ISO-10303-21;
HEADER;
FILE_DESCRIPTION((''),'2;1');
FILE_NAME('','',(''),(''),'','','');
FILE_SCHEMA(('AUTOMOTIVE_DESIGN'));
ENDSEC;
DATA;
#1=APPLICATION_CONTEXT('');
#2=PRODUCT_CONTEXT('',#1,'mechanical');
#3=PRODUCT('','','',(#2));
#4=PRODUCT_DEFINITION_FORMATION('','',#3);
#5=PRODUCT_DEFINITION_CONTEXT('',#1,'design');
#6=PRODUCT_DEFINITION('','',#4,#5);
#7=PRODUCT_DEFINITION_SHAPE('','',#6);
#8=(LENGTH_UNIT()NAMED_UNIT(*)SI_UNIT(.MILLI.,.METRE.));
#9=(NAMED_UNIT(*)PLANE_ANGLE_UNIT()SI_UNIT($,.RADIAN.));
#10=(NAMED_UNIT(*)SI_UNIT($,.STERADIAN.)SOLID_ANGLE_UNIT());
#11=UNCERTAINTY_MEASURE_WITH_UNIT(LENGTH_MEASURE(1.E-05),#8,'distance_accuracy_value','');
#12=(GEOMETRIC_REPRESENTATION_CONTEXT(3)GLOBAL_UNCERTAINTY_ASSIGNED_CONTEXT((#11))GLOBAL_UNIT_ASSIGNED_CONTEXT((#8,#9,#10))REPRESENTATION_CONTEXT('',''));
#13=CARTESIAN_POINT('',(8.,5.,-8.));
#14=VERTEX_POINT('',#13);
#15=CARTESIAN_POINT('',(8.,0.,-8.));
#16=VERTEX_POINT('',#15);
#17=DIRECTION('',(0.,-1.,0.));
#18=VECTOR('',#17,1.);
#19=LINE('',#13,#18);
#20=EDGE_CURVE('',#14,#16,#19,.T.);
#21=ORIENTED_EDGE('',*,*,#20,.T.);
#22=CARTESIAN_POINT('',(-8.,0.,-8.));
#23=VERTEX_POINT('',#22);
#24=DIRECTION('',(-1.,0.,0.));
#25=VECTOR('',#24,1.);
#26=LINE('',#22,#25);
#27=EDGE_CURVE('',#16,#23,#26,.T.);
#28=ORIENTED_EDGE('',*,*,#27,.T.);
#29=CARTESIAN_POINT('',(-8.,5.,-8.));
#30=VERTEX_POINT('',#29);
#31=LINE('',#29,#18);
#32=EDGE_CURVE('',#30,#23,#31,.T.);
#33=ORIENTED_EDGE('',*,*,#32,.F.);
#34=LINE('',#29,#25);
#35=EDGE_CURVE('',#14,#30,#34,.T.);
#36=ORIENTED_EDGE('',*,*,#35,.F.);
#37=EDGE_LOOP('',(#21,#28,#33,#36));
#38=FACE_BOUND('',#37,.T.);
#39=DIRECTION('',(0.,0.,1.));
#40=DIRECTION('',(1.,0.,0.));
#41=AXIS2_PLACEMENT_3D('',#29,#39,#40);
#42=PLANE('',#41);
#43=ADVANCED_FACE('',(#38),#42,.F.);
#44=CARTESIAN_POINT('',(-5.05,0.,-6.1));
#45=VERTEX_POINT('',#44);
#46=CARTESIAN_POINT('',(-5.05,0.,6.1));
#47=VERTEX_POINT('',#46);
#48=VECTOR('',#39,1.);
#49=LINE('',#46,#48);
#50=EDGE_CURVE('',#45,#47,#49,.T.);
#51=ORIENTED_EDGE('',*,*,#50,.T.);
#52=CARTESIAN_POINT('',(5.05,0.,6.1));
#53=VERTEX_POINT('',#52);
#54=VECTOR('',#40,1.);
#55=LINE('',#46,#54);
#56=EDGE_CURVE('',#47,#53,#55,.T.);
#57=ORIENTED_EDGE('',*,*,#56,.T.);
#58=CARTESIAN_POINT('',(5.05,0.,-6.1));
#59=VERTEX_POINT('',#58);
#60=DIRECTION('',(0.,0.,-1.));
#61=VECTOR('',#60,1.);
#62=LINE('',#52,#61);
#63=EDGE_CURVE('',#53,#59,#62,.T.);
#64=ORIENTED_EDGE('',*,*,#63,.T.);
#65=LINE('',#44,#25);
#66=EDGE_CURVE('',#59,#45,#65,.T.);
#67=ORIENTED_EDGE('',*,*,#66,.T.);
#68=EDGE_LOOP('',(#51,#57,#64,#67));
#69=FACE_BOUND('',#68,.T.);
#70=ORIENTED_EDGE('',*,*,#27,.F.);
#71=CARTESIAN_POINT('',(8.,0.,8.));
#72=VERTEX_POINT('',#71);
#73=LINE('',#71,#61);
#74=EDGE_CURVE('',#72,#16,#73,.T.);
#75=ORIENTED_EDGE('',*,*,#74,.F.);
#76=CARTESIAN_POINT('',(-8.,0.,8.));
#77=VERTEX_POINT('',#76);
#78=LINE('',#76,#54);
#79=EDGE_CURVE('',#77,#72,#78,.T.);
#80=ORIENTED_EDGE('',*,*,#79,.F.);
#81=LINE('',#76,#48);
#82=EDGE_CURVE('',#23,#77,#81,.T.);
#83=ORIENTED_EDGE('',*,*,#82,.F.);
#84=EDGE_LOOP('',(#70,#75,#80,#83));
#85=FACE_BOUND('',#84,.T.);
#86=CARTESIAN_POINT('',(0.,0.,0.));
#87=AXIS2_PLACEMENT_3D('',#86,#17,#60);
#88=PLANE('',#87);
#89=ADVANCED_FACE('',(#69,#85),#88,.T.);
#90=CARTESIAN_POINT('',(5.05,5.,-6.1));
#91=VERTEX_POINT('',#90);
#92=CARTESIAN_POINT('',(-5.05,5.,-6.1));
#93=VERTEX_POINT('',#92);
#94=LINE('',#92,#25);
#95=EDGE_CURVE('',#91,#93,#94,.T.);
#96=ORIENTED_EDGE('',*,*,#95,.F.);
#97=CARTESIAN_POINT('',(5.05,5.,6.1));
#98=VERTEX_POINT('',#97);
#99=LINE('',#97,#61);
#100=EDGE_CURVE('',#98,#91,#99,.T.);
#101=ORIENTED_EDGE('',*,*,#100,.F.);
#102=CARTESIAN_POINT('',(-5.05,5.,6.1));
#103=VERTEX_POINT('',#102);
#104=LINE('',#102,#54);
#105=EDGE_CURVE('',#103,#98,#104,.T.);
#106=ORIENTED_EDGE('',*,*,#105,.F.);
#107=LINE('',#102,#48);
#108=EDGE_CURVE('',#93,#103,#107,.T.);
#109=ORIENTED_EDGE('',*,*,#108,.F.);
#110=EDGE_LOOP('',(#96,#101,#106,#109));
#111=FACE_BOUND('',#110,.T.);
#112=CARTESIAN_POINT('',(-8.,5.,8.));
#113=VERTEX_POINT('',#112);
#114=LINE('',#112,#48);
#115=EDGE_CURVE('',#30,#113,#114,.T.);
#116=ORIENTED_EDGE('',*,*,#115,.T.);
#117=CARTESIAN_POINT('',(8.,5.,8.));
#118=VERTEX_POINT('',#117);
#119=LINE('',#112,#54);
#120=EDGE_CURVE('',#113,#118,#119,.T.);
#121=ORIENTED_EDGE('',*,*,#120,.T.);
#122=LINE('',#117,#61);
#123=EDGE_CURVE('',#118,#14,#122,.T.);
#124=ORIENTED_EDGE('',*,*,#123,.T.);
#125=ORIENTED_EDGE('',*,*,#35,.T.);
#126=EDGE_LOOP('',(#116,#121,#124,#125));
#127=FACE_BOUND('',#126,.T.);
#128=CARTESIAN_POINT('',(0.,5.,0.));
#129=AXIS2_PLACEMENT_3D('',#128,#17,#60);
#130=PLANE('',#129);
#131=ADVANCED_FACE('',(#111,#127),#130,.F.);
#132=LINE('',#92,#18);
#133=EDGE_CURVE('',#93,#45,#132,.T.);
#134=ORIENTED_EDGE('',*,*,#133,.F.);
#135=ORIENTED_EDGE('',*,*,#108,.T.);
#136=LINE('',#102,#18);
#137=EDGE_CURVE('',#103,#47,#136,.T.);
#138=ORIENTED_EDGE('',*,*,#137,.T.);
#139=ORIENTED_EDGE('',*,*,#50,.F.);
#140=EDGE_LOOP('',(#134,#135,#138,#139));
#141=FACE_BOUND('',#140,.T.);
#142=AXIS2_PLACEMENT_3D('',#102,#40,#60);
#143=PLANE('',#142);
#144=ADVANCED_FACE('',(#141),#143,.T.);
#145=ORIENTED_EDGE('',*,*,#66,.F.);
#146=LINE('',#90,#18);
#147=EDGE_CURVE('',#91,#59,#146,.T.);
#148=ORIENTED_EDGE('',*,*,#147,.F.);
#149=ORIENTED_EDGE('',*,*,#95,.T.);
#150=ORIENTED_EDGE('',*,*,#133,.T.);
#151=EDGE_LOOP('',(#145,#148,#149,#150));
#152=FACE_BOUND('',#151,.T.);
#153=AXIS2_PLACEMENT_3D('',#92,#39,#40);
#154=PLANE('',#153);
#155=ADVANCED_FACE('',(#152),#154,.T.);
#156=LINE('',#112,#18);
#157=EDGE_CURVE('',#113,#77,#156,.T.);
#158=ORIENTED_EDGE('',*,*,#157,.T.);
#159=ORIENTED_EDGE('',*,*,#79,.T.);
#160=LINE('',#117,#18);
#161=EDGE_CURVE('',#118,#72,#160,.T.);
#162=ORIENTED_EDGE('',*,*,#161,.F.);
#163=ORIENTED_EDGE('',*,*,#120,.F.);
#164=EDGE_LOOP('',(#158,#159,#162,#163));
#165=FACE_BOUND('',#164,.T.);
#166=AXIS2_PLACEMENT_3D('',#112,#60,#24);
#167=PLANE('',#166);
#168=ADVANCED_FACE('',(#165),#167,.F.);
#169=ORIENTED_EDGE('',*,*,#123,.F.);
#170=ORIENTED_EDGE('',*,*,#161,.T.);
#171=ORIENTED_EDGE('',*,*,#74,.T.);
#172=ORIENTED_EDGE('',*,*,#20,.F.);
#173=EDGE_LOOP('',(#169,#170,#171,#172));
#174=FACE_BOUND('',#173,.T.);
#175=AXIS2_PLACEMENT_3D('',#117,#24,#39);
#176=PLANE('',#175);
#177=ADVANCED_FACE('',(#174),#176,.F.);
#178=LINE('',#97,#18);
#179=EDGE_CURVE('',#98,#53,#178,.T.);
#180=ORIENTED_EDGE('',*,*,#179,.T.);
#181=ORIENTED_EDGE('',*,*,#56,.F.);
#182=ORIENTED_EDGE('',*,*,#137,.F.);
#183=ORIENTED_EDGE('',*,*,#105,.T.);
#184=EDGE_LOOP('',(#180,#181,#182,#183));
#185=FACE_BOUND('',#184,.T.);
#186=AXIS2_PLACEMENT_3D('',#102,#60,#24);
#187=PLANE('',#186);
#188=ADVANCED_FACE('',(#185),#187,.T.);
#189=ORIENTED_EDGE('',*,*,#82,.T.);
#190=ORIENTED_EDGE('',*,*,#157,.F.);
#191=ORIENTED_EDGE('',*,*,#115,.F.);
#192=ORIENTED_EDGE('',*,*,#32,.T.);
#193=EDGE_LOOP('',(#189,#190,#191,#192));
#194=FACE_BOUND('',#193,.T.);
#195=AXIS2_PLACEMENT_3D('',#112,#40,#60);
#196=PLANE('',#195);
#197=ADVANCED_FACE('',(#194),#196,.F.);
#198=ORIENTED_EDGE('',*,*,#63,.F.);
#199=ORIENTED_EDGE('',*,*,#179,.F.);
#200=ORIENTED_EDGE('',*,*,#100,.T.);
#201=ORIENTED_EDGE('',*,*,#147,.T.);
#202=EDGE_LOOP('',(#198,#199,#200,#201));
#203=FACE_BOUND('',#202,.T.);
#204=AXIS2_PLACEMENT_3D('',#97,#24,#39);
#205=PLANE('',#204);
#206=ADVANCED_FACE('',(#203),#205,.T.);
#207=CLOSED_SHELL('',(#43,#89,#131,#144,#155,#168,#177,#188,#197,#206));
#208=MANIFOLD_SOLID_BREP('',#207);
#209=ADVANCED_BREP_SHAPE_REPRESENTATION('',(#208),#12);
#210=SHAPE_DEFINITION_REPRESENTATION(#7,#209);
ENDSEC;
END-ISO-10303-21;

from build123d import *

# Parameters (mm, degrees)
SKETCH1_W           = 16
SKETCH1_H           = 16
SKETCH1_W_2         = 10.1
SKETCH1_H_2         = 12.2
BOSS_EXTRUDE1_DEPTH = 5


with BuildPart() as part:
    # Sketch1 → Boss-Extrude1 (new body)
    with BuildSketch(Plane(origin=(0, 0, 0), x_dir=(1, 0, 0), z_dir=(0, 1, 0))):
        Rectangle(SKETCH1_W, SKETCH1_H)
        Rectangle(SKETCH1_W_2, SKETCH1_H_2, mode=Mode.SUBTRACT)
    extrude(amount=BOSS_EXTRUDE1_DEPTH)


solid = part.part
